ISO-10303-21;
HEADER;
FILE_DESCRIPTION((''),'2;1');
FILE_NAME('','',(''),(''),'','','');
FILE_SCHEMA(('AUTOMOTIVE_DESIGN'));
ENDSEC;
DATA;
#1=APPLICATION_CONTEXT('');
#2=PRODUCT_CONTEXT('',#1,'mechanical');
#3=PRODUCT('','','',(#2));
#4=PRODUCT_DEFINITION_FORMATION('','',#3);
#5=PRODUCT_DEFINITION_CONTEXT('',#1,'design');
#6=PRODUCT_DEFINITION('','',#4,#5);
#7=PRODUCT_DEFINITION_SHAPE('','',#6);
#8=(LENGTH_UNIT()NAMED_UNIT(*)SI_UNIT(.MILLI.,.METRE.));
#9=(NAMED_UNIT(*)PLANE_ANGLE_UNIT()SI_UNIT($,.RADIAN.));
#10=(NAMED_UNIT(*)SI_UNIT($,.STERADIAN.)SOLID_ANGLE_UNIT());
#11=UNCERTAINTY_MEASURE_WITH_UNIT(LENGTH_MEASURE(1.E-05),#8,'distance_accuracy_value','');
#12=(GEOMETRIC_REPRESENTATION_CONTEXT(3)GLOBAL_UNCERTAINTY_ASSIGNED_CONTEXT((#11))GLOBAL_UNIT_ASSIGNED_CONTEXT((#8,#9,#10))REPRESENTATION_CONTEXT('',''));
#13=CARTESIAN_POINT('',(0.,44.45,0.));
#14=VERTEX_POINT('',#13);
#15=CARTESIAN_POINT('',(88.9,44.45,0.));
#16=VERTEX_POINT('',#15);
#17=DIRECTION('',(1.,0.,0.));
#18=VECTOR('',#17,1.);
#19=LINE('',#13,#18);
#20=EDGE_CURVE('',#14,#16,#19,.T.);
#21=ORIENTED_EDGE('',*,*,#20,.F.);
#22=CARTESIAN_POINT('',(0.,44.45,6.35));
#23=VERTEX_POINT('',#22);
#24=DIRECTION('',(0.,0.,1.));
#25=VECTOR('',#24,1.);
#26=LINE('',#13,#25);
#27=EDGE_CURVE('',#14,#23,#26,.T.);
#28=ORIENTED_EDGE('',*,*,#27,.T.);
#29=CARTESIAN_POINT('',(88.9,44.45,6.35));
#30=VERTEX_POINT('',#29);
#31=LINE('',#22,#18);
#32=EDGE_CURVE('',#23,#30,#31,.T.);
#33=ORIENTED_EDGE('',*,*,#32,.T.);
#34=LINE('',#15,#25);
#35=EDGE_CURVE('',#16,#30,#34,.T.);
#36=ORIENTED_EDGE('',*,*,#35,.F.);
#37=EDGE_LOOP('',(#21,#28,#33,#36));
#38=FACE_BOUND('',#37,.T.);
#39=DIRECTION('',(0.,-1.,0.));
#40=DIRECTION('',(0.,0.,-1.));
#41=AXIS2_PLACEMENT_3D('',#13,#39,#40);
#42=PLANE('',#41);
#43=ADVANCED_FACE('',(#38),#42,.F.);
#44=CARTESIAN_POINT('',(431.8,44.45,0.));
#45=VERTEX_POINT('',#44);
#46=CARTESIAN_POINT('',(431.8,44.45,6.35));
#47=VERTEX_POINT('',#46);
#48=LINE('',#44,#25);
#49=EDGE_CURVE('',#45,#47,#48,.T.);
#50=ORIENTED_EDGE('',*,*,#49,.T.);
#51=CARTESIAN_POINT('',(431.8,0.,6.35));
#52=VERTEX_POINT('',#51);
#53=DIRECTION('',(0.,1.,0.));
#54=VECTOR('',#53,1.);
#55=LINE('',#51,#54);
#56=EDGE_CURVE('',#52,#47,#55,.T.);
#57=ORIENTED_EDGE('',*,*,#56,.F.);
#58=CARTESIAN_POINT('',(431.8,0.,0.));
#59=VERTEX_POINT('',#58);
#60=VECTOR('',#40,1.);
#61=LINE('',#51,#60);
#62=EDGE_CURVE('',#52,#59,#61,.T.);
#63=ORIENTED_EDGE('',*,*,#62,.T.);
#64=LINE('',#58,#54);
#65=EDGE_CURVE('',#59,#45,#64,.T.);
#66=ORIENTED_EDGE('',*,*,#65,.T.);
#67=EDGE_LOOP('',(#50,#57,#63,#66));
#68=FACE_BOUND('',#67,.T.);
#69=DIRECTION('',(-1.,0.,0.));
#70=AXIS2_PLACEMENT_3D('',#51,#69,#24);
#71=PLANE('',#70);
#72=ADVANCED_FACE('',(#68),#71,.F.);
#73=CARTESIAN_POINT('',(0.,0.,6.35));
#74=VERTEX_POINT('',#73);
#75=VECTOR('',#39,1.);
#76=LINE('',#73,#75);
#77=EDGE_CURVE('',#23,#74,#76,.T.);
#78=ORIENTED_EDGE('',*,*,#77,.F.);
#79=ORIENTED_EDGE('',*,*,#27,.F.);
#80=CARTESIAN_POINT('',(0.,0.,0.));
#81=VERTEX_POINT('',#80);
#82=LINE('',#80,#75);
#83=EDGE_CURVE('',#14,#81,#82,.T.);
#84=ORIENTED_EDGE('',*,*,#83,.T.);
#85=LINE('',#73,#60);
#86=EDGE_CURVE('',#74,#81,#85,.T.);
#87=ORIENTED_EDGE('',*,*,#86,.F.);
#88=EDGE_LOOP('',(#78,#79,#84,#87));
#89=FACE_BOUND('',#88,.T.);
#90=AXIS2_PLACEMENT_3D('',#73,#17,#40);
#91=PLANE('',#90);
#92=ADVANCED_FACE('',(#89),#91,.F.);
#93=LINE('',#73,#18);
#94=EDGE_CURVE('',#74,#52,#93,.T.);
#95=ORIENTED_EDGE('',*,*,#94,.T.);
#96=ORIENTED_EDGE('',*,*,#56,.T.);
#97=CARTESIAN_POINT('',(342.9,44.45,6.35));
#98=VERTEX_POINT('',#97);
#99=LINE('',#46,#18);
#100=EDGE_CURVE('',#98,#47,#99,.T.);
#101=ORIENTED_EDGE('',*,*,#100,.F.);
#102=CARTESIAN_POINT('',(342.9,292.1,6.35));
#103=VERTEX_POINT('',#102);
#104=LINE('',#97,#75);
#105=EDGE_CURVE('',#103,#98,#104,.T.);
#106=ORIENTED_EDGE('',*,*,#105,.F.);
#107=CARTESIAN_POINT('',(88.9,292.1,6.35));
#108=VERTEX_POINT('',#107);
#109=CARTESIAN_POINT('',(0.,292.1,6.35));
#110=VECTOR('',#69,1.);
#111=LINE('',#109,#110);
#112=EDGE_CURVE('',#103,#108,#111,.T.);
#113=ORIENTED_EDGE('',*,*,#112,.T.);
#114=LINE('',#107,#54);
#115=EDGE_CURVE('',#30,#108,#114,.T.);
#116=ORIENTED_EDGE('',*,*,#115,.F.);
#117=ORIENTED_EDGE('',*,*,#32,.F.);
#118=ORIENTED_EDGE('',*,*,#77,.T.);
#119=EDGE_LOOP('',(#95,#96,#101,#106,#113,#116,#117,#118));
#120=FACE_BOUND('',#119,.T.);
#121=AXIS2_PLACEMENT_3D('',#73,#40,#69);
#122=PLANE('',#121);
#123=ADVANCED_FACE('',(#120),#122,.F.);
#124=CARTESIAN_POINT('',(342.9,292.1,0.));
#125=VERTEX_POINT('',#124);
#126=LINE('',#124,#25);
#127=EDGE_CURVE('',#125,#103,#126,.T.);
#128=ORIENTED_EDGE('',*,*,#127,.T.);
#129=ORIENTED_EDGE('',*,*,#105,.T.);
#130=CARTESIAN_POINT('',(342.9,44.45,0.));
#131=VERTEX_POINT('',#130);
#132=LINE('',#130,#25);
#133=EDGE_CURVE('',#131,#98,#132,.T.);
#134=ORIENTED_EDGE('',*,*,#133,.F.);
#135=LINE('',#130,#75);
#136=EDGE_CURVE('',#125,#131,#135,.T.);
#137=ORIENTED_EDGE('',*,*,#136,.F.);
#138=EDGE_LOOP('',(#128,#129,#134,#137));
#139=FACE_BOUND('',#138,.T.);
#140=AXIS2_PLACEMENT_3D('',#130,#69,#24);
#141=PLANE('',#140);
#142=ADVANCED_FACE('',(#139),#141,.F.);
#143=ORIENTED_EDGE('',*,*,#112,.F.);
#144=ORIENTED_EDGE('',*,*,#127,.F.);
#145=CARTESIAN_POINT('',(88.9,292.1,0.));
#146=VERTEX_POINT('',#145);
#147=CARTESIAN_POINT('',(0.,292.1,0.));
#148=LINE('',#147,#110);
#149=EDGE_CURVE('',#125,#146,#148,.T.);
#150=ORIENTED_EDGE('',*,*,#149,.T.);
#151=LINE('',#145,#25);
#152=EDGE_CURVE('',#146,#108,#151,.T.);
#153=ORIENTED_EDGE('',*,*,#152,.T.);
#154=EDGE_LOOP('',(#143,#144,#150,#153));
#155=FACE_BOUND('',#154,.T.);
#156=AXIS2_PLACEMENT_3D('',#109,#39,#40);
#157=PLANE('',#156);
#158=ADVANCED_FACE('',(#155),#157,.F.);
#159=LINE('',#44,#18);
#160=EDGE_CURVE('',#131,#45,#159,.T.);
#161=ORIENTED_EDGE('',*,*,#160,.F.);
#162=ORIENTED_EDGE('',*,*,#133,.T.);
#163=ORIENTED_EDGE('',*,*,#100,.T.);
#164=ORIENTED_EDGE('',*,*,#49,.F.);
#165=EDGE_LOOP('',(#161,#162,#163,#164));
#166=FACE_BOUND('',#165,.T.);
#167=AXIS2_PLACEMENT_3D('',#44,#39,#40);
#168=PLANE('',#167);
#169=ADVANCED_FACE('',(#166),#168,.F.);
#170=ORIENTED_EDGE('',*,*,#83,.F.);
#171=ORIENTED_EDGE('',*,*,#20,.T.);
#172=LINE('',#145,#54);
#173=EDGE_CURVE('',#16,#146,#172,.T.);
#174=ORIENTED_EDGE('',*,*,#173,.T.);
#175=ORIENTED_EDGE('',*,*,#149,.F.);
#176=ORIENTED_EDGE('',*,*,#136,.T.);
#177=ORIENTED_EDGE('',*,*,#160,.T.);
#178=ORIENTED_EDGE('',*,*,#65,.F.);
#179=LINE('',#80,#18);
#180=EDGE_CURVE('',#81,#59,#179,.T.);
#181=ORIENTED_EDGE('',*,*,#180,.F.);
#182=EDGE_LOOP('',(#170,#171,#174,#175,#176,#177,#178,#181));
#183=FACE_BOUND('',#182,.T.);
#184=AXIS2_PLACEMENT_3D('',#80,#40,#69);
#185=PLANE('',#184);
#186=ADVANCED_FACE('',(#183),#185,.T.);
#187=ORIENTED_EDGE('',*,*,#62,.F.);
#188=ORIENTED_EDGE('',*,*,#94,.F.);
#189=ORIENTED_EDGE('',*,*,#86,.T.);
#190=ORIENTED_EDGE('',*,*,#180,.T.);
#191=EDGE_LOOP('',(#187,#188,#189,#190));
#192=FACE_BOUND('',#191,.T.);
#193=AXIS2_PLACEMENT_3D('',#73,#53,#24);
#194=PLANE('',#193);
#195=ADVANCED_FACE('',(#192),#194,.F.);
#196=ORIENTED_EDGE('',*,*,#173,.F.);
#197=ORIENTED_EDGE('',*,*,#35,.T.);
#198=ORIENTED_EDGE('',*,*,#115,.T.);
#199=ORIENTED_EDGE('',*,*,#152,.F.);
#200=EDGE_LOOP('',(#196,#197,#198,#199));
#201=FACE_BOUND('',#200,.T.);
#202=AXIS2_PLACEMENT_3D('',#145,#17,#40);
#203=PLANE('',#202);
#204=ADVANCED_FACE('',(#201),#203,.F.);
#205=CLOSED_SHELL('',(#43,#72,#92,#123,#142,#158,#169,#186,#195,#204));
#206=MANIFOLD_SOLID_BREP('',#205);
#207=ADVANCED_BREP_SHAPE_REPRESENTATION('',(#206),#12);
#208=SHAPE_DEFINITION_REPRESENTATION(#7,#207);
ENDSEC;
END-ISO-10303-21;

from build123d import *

# Parameters (mm, degrees)
SKETCH1_W           = 431.8
SKETCH1_H           = 292.1
BOSS_EXTRUDE1_DEPTH = 6.35
SKETCH2_W           = 88.9
SKETCH2_H           = 247.65
CUT_EXTRUDE1_DEPTH  = 7.35


with BuildPart() as part:
    # Sketch1 → Boss-Extrude1 (new body)
    with BuildSketch(Plane.XY):
        with Locations((215.9, 146.05)):
            Rectangle(SKETCH1_W, SKETCH1_H)
    extrude(amount=BOSS_EXTRUDE1_DEPTH)

    # Sketch2 → Cut-Extrude1 (cut, through all)
    with BuildSketch(Plane.XY.offset(6.35)):
        with Locations((44.45, 168.275)):
            Rectangle(SKETCH2_W, SKETCH2_H)
        with Locations((387.35, 168.275)):
            Rectangle(SKETCH2_W, SKETCH2_H)
    extrude(amount=-CUT_EXTRUDE1_DEPTH, mode=Mode.SUBTRACT)


solid = part.part
